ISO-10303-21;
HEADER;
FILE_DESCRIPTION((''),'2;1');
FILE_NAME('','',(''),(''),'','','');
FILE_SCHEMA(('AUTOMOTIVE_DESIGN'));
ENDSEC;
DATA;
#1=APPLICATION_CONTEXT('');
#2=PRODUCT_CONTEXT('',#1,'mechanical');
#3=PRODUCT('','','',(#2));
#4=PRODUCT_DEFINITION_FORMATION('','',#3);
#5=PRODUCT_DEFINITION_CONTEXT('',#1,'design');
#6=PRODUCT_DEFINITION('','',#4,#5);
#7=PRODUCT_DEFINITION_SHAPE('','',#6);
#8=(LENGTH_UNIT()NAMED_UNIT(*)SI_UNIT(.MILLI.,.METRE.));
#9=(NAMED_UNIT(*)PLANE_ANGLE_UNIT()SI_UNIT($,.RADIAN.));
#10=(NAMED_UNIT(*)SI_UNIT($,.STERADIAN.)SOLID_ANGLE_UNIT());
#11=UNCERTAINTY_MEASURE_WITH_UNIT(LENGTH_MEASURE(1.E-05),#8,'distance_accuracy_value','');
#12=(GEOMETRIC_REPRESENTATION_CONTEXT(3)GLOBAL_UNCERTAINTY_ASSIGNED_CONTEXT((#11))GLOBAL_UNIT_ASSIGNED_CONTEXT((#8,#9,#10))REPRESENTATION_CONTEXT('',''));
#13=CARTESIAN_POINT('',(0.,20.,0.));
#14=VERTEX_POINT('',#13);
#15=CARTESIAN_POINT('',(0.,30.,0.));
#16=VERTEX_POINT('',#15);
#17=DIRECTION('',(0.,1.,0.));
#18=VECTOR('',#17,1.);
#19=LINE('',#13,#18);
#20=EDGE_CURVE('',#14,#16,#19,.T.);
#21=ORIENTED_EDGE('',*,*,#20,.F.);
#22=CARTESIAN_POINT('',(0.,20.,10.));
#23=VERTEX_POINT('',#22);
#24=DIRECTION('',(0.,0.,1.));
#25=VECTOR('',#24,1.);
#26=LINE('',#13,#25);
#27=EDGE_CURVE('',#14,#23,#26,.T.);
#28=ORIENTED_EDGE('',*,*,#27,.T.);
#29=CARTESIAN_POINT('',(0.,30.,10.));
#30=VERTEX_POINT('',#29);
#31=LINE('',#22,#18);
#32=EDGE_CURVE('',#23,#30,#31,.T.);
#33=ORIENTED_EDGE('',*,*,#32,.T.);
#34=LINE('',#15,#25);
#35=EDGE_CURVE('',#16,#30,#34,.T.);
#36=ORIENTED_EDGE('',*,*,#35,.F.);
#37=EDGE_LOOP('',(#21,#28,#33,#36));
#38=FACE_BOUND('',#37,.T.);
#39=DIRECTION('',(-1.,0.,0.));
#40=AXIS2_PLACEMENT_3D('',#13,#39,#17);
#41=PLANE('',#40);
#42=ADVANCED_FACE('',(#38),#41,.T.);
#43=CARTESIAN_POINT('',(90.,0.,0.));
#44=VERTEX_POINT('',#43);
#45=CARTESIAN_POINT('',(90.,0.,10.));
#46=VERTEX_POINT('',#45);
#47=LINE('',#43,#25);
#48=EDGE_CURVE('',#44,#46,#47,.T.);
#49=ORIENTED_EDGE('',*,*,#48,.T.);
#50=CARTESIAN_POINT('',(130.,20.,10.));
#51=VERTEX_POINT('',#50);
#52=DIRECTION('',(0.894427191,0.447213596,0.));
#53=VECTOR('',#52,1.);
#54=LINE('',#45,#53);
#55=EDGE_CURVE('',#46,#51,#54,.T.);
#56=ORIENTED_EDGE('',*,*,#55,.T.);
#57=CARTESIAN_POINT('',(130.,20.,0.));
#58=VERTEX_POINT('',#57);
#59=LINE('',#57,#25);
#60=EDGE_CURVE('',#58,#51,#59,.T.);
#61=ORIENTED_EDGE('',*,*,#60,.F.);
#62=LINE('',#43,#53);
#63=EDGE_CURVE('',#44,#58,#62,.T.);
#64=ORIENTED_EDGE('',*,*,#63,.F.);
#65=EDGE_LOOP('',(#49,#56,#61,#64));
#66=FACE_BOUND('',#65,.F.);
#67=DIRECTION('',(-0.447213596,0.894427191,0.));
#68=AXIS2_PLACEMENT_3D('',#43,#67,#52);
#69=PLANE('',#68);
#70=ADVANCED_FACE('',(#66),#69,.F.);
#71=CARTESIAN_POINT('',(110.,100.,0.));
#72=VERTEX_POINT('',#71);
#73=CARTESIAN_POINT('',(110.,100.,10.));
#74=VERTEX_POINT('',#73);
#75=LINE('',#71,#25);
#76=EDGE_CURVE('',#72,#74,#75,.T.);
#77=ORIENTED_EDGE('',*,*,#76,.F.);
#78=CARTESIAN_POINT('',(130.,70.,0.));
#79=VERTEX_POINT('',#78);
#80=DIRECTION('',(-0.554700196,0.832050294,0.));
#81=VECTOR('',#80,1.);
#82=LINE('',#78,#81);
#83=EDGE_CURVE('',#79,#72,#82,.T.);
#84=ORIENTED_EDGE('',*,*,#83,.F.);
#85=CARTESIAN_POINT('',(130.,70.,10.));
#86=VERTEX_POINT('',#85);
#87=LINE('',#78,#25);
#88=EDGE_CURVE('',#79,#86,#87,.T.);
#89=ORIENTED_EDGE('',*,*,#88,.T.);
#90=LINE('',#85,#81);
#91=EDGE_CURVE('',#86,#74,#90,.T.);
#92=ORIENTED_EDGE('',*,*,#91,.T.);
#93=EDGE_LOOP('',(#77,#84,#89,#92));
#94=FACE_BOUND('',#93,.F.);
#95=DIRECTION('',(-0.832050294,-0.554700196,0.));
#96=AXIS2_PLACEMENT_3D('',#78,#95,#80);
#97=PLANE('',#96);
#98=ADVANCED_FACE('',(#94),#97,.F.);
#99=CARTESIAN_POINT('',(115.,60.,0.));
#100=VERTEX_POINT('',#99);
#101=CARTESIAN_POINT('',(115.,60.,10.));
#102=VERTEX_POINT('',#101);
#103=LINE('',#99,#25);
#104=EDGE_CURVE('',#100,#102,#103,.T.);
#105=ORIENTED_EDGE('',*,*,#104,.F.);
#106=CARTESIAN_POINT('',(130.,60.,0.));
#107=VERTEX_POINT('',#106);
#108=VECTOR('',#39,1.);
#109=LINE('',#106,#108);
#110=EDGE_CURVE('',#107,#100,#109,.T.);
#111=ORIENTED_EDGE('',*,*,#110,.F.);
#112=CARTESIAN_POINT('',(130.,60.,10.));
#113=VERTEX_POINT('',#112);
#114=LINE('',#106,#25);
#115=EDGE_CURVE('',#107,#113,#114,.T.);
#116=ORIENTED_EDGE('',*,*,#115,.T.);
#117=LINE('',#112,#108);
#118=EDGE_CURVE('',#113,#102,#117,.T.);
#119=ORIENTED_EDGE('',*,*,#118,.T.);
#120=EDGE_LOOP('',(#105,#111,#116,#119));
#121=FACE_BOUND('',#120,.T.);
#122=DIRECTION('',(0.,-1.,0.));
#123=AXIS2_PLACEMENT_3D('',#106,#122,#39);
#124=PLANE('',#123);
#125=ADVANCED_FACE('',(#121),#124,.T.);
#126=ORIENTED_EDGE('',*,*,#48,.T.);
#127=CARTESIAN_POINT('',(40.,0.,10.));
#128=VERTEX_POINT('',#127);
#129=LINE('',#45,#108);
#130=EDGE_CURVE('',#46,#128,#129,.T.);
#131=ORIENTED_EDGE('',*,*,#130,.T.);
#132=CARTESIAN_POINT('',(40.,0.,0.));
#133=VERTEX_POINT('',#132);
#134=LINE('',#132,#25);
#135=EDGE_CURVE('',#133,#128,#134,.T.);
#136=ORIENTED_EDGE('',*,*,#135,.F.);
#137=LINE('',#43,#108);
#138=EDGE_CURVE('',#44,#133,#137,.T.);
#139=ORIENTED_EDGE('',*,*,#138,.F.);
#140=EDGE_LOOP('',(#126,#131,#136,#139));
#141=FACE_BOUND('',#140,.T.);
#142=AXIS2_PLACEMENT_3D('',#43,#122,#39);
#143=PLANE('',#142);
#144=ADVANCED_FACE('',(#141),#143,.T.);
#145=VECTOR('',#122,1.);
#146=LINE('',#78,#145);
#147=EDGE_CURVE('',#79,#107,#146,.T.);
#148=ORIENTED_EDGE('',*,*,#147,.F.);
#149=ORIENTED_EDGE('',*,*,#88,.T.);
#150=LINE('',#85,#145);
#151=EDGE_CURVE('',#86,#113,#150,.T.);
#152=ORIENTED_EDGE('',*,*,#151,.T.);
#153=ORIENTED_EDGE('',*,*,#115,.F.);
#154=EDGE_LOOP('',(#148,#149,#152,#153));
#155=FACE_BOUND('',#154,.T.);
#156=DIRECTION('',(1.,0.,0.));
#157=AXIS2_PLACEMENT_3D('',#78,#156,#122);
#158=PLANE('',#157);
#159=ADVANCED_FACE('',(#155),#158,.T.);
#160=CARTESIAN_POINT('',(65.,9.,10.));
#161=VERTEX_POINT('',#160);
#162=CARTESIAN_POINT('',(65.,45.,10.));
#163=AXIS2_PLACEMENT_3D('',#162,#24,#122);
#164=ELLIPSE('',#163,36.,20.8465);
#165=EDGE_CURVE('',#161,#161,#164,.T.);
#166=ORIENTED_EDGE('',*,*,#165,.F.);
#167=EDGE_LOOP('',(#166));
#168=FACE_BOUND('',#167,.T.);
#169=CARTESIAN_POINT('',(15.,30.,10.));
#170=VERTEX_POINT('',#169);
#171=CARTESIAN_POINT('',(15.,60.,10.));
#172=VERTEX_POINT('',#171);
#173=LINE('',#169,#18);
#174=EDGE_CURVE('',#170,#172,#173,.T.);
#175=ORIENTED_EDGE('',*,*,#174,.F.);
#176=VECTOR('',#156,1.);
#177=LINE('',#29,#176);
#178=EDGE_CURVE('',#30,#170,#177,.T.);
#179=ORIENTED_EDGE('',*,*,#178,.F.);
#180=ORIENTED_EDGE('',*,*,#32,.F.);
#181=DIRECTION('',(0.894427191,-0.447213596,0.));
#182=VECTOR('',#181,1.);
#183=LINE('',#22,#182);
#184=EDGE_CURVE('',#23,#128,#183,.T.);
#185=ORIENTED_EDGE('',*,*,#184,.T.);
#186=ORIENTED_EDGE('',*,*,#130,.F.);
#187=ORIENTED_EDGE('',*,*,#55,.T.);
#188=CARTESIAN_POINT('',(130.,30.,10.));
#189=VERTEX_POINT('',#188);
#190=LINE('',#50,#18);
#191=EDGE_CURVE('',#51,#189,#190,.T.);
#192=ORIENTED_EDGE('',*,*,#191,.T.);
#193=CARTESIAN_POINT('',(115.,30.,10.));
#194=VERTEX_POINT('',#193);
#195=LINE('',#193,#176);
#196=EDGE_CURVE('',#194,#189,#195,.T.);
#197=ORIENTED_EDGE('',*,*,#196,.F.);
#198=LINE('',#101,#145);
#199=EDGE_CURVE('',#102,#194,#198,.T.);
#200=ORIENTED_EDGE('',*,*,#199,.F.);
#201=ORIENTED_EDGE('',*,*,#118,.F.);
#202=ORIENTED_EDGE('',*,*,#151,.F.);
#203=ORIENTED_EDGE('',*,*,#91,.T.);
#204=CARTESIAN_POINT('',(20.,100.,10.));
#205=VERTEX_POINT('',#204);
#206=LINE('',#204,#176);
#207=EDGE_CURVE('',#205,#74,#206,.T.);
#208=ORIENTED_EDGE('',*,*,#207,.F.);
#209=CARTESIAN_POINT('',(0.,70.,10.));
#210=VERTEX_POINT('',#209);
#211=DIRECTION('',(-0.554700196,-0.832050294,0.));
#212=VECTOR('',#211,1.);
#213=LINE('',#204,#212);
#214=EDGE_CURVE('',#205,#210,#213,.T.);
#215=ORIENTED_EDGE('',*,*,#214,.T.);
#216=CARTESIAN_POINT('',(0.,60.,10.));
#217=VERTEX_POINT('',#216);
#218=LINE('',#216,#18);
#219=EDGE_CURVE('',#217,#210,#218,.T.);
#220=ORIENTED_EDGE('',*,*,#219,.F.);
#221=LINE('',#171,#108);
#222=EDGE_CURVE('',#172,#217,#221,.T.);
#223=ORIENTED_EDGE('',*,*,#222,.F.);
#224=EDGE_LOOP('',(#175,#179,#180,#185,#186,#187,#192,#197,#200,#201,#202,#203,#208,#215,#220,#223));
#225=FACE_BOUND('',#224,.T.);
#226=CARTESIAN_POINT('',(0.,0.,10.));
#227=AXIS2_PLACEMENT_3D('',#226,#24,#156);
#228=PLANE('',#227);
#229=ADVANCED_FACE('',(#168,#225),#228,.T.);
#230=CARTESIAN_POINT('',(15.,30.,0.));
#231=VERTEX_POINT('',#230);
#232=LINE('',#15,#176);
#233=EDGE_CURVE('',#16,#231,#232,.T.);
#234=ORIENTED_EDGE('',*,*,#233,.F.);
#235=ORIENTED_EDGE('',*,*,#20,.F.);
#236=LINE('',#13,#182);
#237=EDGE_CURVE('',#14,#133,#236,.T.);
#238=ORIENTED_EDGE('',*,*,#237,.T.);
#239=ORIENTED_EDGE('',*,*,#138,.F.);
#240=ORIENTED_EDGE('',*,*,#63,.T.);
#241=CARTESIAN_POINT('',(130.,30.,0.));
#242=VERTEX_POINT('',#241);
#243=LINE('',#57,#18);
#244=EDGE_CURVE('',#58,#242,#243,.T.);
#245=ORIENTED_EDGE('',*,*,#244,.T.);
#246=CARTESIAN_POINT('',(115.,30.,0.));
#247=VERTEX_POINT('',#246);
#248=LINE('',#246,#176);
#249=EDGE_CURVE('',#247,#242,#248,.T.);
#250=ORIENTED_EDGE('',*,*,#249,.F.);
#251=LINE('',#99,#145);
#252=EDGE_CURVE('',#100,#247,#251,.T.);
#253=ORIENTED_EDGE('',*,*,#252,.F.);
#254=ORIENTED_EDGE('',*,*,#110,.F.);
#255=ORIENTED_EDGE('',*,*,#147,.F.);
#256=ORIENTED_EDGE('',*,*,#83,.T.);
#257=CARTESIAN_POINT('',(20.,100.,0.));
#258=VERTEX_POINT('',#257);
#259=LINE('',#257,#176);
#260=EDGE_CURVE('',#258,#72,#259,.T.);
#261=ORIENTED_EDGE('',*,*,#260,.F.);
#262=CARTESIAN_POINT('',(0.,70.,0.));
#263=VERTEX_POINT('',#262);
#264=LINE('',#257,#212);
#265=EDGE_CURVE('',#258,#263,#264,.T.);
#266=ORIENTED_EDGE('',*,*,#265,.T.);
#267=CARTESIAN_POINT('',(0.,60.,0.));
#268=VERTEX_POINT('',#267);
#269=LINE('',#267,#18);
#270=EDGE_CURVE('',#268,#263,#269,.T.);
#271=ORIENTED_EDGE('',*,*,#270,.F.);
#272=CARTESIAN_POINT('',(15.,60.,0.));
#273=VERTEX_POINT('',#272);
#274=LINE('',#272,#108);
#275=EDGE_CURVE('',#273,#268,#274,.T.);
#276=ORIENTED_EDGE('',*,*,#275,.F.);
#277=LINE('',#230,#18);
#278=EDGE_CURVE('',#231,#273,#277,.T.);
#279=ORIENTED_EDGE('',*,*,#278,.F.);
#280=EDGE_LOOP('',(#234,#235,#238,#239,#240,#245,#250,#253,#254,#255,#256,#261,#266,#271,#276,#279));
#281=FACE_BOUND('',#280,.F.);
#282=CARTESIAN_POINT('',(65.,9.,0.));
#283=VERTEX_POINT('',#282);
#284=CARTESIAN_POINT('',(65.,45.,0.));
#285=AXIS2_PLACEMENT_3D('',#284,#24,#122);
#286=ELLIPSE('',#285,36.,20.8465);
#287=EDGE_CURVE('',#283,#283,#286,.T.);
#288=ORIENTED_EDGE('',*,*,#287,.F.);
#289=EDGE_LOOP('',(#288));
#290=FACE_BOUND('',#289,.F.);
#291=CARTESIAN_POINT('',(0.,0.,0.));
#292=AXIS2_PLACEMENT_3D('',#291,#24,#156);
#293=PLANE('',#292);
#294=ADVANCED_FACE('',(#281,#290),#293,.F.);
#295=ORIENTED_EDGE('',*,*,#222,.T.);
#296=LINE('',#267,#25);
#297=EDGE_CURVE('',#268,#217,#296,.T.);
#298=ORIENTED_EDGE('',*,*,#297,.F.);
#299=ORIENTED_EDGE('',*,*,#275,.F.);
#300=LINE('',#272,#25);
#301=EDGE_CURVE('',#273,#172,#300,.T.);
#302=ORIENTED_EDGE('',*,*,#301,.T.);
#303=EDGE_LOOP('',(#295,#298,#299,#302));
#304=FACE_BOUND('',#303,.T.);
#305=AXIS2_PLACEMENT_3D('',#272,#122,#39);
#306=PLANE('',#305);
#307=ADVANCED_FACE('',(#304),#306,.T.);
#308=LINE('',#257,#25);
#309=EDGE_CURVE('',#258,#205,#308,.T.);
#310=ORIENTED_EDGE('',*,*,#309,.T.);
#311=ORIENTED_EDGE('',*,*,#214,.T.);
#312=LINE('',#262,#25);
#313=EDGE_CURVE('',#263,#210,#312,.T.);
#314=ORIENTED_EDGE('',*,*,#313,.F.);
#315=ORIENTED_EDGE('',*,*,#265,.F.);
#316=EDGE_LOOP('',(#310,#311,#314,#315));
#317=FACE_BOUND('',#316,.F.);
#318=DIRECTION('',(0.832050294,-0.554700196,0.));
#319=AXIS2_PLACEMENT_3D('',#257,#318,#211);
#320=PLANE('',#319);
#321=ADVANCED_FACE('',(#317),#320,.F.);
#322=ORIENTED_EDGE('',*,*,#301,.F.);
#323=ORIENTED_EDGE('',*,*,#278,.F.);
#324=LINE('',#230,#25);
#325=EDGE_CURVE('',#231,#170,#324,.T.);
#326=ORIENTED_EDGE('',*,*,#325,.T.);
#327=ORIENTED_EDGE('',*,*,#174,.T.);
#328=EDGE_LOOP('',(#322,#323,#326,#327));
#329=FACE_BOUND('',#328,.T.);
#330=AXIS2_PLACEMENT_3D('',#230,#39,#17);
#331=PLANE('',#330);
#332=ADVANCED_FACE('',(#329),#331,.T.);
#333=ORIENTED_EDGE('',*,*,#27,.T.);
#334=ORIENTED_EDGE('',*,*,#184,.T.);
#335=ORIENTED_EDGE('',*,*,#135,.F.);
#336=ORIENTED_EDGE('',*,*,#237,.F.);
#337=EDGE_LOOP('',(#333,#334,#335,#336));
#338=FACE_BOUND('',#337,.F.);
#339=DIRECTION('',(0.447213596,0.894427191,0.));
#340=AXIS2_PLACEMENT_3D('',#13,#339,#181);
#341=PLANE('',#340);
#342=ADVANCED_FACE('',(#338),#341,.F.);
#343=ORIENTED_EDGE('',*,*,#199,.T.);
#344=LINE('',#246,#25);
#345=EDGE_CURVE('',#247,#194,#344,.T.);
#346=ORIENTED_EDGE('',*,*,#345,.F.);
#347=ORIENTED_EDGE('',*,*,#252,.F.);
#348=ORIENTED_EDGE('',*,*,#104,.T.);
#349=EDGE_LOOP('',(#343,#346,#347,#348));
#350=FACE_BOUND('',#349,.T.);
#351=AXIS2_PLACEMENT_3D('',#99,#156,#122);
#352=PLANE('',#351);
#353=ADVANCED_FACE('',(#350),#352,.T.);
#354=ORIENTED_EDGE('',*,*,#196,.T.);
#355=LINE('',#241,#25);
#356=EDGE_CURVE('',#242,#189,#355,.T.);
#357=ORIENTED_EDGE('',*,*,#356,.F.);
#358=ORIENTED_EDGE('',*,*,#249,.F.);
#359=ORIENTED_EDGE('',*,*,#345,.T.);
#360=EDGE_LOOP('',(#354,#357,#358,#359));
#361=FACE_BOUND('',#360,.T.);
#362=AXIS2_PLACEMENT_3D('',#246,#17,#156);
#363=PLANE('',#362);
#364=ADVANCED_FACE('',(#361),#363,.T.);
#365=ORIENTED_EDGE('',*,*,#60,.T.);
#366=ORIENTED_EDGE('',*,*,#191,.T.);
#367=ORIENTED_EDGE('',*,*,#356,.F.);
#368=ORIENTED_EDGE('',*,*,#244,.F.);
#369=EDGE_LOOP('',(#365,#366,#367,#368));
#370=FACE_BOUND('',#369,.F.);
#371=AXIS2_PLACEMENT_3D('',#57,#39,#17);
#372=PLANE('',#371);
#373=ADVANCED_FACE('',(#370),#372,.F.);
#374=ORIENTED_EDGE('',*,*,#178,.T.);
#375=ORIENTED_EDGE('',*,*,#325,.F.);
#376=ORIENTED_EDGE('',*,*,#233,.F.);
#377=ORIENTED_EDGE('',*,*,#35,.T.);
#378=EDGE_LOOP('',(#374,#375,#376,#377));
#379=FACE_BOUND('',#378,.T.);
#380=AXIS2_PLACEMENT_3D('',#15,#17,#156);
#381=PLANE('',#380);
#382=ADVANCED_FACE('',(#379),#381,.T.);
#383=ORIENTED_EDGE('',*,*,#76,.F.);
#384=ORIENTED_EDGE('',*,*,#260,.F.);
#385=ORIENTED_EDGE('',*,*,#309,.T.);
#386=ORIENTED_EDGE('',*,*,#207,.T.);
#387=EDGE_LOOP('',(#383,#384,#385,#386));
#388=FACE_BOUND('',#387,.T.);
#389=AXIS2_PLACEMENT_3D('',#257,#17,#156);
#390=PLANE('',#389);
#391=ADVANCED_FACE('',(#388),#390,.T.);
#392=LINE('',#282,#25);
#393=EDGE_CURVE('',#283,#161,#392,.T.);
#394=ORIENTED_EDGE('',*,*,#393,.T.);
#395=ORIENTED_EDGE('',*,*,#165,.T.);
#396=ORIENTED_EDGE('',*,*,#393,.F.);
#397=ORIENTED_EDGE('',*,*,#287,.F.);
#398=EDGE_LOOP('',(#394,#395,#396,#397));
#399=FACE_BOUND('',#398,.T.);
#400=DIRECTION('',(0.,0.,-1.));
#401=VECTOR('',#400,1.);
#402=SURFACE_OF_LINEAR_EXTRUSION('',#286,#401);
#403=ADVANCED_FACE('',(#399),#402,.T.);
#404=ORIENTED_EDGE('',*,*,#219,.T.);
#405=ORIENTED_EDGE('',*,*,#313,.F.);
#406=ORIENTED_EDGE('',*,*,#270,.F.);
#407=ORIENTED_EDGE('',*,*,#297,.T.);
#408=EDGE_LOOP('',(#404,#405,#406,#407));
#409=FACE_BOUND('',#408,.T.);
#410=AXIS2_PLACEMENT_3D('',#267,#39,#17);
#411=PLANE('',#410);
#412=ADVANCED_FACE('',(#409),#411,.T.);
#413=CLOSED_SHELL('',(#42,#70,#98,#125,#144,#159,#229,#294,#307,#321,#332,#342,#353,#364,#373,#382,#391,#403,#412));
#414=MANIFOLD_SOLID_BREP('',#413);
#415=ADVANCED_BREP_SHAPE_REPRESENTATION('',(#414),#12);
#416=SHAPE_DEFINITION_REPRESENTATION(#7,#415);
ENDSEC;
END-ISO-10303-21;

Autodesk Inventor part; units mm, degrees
ref_plane "YZ Plane" through (0, 0, 0) normal (1, 0, 0) x (0, 1, 0)
ref_plane "XZ Plane" through (0, 0, 0) normal (0, 1, 0) x (-1, 0, 0)
ref_plane "XY Plane" through (0, 0, 0) normal (0, 0, 1) x (1, 0, 0)
sketch "Sketch1" plane through (0, 0, 0) normal (0, 0, 1) x (1, 0, 0)
  line L0 (0, 20) -> (40, 0)
  line L1 (0, 20) -> (0, 30)
  line L2 (0, 30) -> (15, 30)
  line L3 (15, 30) -> (15, 60)
  line L4 (15, 60) -> (0, 60)
  line L5 (0, 60) -> (0, 70)
  line L6 (20, 100) -> (0, 70)
  line L7 (20, 100) -> (110, 100)
  line L8 (130, 70) -> (110, 100)
  line L9 (130, 70) -> (130, 60)
  line L10 (130, 60) -> (115, 60)
  line L11 (115, 60) -> (115, 30)
  line L12 (115, 30) -> (130, 30)
  line L13 (130, 20) -> (130, 30)
  line L14 (90, 0) -> (130, 20)
  line L15 (90, 0) -> (40, 0)
  ellipse E0 centre (65, 45) end of major axis (65, 9) minor radius 20.8465
  point P0 (0, 0)
extrude "Extrusion1" add sketch "Sketch1" along normal blind 10
properties part number "P2-12"
